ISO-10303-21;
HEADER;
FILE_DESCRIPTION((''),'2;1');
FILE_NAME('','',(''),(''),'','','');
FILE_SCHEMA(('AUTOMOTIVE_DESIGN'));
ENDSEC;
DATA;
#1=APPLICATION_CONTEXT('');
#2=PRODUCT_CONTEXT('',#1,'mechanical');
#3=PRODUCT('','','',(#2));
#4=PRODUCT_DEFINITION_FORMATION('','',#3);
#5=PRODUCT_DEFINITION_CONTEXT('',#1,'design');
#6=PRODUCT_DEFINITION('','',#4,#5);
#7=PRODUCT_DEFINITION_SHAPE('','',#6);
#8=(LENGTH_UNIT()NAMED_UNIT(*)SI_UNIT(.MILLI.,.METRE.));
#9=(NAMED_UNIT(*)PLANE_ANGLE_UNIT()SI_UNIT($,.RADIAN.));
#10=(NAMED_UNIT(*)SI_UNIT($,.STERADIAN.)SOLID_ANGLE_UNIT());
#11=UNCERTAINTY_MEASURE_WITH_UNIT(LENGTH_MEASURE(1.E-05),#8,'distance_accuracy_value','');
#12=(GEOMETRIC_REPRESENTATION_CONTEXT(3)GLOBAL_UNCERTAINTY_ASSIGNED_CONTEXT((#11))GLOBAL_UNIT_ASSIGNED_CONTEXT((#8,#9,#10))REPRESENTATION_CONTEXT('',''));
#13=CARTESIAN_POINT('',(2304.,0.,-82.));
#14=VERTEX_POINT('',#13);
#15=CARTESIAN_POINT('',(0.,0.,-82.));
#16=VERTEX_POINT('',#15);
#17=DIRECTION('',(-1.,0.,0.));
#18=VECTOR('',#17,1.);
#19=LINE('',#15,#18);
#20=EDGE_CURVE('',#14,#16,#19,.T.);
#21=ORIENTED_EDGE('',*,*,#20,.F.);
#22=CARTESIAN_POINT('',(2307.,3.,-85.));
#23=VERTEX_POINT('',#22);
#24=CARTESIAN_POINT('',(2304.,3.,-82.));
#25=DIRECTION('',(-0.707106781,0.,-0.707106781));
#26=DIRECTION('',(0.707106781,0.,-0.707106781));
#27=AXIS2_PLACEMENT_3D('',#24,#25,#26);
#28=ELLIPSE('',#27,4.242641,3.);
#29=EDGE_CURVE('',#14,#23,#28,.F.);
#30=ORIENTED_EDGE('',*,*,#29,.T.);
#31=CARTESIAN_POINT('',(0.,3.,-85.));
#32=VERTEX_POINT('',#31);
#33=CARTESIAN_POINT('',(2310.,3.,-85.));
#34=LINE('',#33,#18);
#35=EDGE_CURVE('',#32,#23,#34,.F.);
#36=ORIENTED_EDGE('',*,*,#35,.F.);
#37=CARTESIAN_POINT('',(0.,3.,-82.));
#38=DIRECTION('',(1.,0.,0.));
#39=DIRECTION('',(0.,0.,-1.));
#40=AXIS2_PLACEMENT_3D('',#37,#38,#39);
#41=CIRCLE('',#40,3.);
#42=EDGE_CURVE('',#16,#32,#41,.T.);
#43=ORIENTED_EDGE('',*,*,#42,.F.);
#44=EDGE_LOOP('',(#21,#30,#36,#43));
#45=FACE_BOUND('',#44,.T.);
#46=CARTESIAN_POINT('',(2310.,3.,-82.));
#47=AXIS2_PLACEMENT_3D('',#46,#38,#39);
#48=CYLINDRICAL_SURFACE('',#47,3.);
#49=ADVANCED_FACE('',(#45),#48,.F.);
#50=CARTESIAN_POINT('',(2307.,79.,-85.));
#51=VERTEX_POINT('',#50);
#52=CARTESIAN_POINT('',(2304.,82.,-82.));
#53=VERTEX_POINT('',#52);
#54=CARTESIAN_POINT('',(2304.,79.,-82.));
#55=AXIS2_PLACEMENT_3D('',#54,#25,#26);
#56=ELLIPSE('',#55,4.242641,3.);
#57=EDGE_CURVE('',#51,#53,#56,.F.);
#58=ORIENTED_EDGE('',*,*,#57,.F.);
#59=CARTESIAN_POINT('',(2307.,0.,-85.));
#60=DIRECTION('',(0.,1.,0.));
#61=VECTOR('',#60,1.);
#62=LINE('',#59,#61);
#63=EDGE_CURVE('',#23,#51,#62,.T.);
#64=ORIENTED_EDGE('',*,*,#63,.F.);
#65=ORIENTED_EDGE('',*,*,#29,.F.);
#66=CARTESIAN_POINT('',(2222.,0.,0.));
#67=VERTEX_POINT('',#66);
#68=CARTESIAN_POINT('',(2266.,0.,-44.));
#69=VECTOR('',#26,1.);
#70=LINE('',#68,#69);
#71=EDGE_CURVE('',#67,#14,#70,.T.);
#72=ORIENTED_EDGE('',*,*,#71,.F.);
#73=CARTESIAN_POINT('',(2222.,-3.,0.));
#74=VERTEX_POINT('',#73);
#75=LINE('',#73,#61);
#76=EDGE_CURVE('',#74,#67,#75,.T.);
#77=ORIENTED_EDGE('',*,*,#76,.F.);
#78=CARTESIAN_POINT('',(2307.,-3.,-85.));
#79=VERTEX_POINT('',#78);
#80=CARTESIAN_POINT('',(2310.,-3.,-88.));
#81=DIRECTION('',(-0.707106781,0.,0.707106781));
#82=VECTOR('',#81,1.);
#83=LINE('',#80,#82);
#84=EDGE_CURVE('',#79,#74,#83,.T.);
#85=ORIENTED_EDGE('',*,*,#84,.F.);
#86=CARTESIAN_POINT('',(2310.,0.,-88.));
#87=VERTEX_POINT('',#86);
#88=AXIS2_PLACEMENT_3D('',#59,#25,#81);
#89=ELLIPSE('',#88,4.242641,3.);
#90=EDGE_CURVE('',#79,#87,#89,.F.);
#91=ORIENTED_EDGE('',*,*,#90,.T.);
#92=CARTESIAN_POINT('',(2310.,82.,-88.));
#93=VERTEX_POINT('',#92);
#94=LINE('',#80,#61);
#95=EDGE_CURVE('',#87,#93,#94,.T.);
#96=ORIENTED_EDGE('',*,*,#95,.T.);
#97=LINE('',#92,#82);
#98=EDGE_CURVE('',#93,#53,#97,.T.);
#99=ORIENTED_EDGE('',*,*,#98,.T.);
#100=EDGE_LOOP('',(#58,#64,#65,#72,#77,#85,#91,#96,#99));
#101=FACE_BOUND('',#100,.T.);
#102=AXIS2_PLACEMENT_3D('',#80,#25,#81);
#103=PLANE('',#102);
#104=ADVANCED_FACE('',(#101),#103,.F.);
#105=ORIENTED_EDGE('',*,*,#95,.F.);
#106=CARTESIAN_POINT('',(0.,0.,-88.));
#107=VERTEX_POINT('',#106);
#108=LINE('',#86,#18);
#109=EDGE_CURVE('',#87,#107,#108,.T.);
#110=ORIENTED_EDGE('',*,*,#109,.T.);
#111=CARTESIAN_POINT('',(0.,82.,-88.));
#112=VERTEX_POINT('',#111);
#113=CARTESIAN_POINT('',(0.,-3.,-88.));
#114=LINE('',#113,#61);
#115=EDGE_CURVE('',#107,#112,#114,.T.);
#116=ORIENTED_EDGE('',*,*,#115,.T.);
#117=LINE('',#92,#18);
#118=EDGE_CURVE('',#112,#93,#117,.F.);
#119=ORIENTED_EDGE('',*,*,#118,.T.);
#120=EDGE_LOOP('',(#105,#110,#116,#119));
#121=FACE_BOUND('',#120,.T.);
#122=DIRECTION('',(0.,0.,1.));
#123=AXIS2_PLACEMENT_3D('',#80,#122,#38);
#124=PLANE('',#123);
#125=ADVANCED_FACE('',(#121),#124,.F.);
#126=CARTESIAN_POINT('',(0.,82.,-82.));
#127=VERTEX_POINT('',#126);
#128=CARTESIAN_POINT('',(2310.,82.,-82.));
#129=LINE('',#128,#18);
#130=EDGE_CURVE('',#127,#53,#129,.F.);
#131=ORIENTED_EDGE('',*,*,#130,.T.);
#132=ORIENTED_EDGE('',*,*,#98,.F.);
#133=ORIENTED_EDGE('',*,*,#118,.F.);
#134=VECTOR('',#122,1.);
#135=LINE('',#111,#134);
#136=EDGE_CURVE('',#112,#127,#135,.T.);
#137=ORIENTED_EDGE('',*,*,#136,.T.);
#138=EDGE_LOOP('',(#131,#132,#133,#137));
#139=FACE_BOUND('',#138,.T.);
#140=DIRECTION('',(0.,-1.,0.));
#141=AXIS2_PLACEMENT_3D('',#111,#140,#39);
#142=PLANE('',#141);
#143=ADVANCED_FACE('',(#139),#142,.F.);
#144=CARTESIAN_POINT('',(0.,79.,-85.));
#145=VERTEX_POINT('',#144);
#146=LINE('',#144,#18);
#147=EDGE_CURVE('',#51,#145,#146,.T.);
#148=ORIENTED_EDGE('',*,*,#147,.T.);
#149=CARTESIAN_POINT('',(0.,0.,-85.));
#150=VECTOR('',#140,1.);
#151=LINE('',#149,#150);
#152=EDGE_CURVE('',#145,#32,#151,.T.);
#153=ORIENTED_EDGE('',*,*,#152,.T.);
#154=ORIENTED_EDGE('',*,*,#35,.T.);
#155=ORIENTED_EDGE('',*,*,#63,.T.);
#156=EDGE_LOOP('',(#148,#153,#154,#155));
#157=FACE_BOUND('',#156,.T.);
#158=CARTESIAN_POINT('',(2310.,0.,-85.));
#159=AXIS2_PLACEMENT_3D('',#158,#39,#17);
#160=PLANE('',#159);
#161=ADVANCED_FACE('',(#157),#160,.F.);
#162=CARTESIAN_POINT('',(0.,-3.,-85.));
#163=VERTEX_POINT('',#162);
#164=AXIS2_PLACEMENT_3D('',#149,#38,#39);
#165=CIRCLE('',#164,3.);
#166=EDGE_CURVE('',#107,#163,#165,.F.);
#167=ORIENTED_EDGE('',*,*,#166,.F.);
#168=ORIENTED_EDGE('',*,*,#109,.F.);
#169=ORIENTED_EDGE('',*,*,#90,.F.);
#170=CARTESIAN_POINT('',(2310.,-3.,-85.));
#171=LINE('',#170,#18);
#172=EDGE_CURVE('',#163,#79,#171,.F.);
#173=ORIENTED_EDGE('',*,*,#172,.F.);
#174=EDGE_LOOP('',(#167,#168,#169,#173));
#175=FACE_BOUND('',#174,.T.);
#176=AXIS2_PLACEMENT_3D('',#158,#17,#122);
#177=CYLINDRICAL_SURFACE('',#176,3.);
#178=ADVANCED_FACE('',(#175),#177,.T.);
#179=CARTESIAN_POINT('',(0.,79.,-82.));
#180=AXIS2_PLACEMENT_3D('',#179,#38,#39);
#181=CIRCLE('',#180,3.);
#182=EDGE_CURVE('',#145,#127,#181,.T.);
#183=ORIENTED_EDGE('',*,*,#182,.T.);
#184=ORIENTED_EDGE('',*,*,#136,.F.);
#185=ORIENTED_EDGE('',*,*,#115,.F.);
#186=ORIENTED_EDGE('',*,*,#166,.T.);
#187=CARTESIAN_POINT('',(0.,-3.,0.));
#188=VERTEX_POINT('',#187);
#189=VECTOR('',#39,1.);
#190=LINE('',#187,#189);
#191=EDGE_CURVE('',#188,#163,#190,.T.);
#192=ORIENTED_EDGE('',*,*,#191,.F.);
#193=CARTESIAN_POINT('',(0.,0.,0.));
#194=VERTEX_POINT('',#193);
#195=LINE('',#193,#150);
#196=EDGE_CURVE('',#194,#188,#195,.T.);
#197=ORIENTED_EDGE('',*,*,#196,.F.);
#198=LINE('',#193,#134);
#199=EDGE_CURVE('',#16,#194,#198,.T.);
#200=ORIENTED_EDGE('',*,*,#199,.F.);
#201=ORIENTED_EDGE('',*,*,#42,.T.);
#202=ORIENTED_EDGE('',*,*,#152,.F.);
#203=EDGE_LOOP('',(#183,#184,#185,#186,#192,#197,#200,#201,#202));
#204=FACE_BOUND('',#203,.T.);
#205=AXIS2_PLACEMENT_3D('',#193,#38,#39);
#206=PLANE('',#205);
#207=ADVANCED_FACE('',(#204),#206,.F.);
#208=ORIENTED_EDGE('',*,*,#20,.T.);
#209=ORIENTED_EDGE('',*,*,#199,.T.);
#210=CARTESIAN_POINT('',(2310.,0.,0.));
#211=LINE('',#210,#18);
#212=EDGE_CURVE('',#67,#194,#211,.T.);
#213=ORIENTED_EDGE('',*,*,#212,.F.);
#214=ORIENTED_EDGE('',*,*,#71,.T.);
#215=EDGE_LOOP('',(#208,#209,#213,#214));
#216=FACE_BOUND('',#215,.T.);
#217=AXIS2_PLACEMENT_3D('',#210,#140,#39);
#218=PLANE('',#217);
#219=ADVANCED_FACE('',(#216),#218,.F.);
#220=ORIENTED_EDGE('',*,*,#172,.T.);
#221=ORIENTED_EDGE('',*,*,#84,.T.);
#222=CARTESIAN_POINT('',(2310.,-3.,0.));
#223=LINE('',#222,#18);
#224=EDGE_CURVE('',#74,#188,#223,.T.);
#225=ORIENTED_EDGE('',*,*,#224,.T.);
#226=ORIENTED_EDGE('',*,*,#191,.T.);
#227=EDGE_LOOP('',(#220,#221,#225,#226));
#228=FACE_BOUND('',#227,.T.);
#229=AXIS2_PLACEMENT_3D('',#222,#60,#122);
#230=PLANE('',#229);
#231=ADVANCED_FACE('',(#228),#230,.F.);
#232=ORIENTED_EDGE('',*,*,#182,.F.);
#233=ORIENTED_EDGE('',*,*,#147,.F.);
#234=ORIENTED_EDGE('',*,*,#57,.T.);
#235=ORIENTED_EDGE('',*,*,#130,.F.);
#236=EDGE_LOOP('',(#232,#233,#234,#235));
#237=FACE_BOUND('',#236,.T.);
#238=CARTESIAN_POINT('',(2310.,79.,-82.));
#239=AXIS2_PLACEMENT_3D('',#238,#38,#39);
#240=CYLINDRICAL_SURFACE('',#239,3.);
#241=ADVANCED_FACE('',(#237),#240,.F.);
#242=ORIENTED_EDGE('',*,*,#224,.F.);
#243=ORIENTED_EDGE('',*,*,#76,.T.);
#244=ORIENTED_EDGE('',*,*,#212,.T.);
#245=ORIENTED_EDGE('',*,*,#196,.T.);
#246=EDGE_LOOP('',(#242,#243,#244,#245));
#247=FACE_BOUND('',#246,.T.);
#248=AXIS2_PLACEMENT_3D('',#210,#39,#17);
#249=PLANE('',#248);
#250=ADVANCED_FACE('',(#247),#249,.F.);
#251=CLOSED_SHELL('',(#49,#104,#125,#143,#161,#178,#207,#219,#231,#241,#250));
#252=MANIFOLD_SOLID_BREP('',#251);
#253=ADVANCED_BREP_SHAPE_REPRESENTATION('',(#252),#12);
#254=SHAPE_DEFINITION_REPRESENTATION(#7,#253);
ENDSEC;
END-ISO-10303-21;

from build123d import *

# Parameters (mm, degrees)
BOSS_EXTRUDE1_DEPTH     = 2310
FILLET1_R               = 3
CUT_EXTRUDE1_DEPTH      = 85
CUT_EXTRUDE1_DEPTH_BACK = 2315.387175906
SKETCH6_W               = 2310
SKETCH6_H               = 30
CUT_EXTRUDE2_DEPTH      = 41


with BuildPart() as part:
    # Sketch1 → Boss-Extrude1 (new body)
    with BuildSketch(Plane(origin=(0, 0, 0), x_dir=(0, 0, -1), z_dir=(1, 0, 0))):
        Polygon((0, 0), (85, 0), (85, 82), (47, 82), (47, 112), (50, 112), (50, 85), (88, 85), (88, -3), (0, -3), align=None)
    extrude(amount=BOSS_EXTRUDE1_DEPTH)

    # Fillet1
    fillet1_edges = [part.edges().sort_by_distance(p)[0] for p in [
        (1155, 0, -85),
        (1155, 82, -85),
        (1155, 82, -47),
        (1155, 85, -50),
        (1155, 85, -88),
        (1155, -3, -88),
    ]]
    fillet(fillet1_edges, radius=FILLET1_R)

    # Sketch3 → Cut-Extrude1 (cut, two sides: drawn at the far end of the back side and taken through both)
    with BuildSketch(Plane(origin=(0, 0, 0), x_dir=(1, 0, 0), z_dir=(0, 1, 0)).offset(-CUT_EXTRUDE1_DEPTH_BACK)):
        Polygon((2310, 88), (2222, 0), (2310, 0), align=None)
    extrude(amount=CUT_EXTRUDE1_DEPTH + CUT_EXTRUDE1_DEPTH_BACK, mode=Mode.SUBTRACT)

    # Sketch6 → Cut-Extrude2 (cut)
    with BuildSketch(Plane.XY.offset(-47)):
        with Locations((1155, 97)):
            Rectangle(SKETCH6_W, SKETCH6_H)
    extrude(amount=-CUT_EXTRUDE2_DEPTH, mode=Mode.SUBTRACT)


solid = part.part
